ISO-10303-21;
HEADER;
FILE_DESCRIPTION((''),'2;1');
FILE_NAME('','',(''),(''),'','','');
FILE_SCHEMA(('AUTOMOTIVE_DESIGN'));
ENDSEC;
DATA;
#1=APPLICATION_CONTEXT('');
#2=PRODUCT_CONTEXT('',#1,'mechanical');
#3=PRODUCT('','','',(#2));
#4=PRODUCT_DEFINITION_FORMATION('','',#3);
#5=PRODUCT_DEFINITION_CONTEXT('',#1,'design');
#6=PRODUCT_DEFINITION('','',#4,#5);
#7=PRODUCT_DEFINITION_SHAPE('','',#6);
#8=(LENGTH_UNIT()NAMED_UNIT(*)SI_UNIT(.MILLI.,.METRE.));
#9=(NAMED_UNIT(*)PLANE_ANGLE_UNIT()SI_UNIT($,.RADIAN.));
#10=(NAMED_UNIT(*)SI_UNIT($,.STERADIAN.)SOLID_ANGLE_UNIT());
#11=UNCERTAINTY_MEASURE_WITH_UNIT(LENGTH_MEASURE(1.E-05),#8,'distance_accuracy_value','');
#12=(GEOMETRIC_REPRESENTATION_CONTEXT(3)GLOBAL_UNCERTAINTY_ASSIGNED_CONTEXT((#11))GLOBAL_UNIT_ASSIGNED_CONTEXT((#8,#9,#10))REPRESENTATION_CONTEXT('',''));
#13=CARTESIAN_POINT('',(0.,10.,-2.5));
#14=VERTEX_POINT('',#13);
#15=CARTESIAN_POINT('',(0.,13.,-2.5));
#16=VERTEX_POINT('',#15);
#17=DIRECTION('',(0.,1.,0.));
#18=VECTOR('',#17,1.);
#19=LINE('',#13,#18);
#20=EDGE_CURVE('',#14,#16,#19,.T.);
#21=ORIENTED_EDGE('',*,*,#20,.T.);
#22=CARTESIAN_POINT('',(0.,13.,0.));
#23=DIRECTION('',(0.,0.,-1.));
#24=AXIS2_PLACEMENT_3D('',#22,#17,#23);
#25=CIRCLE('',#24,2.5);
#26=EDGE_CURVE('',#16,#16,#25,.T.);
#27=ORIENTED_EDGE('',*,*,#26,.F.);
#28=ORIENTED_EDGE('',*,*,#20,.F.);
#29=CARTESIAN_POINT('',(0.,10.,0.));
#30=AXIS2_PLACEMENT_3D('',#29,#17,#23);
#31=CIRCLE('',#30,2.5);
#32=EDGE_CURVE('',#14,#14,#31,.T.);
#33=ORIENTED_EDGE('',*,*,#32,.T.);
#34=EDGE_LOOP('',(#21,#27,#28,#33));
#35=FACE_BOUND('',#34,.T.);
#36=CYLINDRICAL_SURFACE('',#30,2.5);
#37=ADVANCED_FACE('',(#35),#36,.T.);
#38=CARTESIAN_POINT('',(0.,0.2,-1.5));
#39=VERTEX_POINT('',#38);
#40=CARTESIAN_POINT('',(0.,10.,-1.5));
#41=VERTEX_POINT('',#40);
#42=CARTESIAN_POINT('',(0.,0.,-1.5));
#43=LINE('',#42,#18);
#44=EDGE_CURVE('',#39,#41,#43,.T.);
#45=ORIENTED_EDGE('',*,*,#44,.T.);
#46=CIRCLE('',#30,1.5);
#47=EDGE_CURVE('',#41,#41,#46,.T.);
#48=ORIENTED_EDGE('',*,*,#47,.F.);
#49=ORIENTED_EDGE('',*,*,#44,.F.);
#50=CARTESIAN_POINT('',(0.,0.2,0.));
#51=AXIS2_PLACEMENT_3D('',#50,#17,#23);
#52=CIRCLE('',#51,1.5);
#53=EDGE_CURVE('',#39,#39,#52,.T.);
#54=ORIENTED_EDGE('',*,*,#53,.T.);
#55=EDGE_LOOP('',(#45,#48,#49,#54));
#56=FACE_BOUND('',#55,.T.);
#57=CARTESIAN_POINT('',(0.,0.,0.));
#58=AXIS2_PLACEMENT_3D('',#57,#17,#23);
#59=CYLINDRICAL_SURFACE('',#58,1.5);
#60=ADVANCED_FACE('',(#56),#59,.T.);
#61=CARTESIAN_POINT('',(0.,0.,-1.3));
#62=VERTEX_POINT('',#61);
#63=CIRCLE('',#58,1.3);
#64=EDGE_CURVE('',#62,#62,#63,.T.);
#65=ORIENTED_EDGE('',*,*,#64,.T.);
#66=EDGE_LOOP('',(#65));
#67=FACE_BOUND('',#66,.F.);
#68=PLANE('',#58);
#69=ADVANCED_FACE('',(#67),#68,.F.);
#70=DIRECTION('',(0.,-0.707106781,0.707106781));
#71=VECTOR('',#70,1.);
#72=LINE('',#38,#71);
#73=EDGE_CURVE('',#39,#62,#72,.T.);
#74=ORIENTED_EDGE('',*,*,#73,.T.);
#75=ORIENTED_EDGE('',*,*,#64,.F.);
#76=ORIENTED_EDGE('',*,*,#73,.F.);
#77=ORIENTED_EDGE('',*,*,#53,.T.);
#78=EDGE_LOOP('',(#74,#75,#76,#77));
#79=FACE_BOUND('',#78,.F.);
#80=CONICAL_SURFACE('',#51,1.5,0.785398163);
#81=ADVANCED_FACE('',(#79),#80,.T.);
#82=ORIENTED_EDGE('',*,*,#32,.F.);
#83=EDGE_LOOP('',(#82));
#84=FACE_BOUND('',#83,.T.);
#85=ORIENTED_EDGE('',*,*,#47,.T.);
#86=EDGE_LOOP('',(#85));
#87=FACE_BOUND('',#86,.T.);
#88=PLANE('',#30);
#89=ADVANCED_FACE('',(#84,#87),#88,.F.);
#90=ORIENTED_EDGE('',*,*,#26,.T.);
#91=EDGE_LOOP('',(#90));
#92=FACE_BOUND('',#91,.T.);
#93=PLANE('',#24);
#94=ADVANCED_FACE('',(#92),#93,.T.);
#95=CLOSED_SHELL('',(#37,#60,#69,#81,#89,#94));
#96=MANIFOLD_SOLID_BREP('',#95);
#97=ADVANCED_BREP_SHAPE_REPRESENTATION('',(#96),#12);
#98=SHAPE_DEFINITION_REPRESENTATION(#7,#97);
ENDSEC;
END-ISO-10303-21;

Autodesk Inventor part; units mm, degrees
ref_plane "YZ Plane" through (0, 0, 0) normal (1, 0, 0) x (0, 1, 0)
ref_plane "XZ Plane" through (0, 0, 0) normal (0, 1, 0) x (-1, 0, 0)
ref_plane "XY Plane" through (0, 0, 0) normal (0, 0, 1) x (1, 0, 0)
sketch "Skizze1" plane through (0, 0, 0) normal (1, 0, 0) x (0, 1, 0)
  line L0 (-2.6, 0) -> (15.6, 0) projected
  line L1 (0, -3) -> (0, 0.5) projected
  line L2 (0, 0) -> (0, -1.5)
  line L3 (0, -1.5) -> (10, -1.5)
  line L4 (10, -1.5) -> (10, -2.5)
  line L5 (10, -2.5) -> (13, -2.5)
  line L6 (13, -2.5) -> (13, 0)
  dimension "d0" = 1.5
  dimension "d1" = 10
  dimension "d2" = 1
  dimension "d3" = 3
revolve "Umdrehung1" add sketch "Skizze1" angle 360 about axis through (0, -10, 0) along (0, 1, 0)
thread "Gewinde1" size "M3x0.5" class "6g" standard "ANSI Metric M Profile" length 24
chamfer "Fasen1" distance 0.2 angle 45 1 edges at (0, 0, 1.5)
properties part number "01-03-01-02 Schraube kl."
